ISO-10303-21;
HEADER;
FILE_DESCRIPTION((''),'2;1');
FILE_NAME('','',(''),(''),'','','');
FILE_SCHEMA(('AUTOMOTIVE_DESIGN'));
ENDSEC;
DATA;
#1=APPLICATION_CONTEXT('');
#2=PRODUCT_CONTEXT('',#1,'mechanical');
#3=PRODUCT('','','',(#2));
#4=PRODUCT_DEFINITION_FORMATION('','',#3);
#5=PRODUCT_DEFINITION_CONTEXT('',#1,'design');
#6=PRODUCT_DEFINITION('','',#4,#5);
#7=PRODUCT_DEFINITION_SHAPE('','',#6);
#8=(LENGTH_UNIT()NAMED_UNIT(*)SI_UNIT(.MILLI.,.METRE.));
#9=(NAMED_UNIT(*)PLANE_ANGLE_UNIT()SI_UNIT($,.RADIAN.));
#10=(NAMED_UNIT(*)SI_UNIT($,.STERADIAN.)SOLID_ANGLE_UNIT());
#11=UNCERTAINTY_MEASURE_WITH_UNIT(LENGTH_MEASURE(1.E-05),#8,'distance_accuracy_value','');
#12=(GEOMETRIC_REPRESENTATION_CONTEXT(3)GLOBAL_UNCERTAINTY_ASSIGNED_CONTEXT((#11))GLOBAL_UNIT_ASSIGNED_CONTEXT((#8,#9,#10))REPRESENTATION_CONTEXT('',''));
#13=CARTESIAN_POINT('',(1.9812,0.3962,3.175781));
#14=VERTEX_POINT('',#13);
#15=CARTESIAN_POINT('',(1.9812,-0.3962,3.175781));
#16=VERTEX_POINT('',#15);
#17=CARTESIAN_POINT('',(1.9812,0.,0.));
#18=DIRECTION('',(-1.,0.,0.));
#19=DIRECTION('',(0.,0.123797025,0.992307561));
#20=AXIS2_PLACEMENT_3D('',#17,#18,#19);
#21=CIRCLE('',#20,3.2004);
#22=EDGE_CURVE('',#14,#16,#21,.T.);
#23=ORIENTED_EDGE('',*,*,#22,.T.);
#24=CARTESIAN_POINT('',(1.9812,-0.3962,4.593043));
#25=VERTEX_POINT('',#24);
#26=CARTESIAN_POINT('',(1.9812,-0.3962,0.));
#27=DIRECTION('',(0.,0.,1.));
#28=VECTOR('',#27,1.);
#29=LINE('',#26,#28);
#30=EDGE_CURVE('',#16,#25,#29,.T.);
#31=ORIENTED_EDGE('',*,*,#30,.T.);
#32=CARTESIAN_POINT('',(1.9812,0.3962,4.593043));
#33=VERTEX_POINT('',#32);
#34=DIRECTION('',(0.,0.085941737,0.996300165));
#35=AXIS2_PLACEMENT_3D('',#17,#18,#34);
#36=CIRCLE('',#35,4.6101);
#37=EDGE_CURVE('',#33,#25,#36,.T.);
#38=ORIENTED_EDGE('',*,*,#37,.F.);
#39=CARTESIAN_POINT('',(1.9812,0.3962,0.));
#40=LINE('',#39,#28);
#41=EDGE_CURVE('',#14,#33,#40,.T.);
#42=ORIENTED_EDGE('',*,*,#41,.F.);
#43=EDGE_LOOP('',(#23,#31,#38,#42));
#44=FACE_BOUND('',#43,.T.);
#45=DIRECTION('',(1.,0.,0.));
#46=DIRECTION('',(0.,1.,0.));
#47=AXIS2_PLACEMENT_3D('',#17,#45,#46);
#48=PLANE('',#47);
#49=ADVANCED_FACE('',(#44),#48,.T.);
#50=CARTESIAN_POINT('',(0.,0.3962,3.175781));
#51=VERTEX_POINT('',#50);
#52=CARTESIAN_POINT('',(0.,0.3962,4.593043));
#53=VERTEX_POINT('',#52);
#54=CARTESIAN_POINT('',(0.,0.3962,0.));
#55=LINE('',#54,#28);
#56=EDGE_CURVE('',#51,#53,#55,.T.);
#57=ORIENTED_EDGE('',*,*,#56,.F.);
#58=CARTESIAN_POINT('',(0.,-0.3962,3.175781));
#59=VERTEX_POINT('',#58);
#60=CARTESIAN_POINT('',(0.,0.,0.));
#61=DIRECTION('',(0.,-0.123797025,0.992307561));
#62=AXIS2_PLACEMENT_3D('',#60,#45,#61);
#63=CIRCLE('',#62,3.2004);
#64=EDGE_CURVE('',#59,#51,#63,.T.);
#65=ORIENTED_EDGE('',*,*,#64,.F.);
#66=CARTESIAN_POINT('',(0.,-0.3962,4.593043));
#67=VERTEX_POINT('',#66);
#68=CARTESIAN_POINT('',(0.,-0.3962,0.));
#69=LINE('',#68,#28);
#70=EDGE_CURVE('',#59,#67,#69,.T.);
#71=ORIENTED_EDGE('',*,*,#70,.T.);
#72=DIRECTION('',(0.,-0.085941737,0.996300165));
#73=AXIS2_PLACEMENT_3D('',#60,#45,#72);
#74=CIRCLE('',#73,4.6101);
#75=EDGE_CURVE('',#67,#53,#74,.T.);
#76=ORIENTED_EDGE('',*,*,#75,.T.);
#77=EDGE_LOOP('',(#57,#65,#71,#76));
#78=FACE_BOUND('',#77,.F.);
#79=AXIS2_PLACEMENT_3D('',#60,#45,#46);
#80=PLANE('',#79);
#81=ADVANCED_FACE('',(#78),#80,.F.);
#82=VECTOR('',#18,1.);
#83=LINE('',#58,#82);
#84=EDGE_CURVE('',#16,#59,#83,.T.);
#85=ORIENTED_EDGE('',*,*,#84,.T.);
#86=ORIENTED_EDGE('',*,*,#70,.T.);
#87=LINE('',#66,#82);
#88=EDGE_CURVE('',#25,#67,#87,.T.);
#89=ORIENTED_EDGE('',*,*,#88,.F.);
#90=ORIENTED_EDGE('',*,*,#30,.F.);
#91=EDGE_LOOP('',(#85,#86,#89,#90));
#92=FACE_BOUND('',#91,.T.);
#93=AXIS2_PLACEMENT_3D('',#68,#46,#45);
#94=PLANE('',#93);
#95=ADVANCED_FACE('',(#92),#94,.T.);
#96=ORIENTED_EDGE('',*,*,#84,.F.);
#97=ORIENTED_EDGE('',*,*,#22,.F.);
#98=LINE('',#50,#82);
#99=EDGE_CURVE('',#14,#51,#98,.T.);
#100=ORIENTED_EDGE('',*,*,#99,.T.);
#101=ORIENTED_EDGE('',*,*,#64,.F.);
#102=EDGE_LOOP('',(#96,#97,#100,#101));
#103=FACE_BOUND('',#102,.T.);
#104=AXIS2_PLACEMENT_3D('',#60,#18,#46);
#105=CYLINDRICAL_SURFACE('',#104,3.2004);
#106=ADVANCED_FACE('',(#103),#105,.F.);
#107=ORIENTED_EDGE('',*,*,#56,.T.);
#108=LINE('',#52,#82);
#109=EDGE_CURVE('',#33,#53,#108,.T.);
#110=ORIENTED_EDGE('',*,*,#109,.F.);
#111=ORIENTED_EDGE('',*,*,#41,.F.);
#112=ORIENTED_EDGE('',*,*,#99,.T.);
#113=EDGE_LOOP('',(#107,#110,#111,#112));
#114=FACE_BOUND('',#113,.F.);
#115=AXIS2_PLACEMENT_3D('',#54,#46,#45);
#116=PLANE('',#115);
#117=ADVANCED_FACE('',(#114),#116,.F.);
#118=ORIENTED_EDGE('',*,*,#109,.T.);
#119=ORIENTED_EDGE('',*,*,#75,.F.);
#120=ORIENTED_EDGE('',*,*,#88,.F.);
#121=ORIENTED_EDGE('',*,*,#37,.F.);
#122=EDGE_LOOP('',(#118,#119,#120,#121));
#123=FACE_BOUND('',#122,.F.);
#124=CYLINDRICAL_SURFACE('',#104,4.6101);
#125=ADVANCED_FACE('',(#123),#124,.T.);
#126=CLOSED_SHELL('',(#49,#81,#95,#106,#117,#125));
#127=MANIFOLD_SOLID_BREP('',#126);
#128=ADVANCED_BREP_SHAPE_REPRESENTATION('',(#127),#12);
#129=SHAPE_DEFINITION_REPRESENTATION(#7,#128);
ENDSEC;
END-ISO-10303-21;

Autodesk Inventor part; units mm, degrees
ref_plane "YZ Plane" through (0, 0, 0) normal (1, 0, 0) x (0, 1, 0)
ref_plane "XZ Plane" through (0, 0, 0) normal (0, 1, 0) x (-1, 0, 0)
sketch "Sketch1" plane through (0, 0, 0) normal (1, 0, 0) x (0, 1, 0)
  circle A0 centre (0, 0) radius 4.6101
  circle A1 centre (0, 0) radius 3.2004
  dimension "d0" = 6.4008
  dimension "d1" = 9.2202
extrude "Body" add sketch "Sketch1" along normal blind 1.9812
sketch "Sketch2" plane through (0, 0, 0) normal (0, 0, 1) x (1, 0, 0)
  line L0 (0, -3.2004) -> (0, 3.2004) projected
  line L1 (1.9812, 4.6101) -> (1.9812, -4.6101) projected
  line L2 (-1.2, 0) -> (7.2, 0) projected
  line L3 (0, -0.3962) -> (1.9812, -0.3962)
  line L4 (0, 0.3962) -> (1.9812, 0.3962)
  dimension "d4" = 0.3962
  dimension "d5" = 0.3962
  dimension "d6" = 90
extrude "Cut" cut sketch "Sketch2" along normal up to next
ref_plane "Work Plane1" through (0, 0, 0) normal (0, -1, 0) x (1, 0, 0)
equation "\"d0\" = SD1"
equation "\"d1\" = SD2"
equation "\"d2\" = SD"
equation "\"d4\" = 0.2 * SD"
equation "\"d5\" = 0.2 * SD"
equation "\"d6\" = FAWI"
equation "\"d7\" = SD"
equation "\"SD1\" = 6.4008"
equation "\"SD2\" = 9.2202"
equation "\"SD\" = 1.9812"
equation "\"FAWI\" = 90deg"
equation "\"NND\" = 6.35"
properties part number "ANSI/ASME B18.21.1 - 1/4 Hi-Collar. Lock Washers (Inch Series) High-Collar Helical Spring Lock Washers" material "Steel, Mild"
